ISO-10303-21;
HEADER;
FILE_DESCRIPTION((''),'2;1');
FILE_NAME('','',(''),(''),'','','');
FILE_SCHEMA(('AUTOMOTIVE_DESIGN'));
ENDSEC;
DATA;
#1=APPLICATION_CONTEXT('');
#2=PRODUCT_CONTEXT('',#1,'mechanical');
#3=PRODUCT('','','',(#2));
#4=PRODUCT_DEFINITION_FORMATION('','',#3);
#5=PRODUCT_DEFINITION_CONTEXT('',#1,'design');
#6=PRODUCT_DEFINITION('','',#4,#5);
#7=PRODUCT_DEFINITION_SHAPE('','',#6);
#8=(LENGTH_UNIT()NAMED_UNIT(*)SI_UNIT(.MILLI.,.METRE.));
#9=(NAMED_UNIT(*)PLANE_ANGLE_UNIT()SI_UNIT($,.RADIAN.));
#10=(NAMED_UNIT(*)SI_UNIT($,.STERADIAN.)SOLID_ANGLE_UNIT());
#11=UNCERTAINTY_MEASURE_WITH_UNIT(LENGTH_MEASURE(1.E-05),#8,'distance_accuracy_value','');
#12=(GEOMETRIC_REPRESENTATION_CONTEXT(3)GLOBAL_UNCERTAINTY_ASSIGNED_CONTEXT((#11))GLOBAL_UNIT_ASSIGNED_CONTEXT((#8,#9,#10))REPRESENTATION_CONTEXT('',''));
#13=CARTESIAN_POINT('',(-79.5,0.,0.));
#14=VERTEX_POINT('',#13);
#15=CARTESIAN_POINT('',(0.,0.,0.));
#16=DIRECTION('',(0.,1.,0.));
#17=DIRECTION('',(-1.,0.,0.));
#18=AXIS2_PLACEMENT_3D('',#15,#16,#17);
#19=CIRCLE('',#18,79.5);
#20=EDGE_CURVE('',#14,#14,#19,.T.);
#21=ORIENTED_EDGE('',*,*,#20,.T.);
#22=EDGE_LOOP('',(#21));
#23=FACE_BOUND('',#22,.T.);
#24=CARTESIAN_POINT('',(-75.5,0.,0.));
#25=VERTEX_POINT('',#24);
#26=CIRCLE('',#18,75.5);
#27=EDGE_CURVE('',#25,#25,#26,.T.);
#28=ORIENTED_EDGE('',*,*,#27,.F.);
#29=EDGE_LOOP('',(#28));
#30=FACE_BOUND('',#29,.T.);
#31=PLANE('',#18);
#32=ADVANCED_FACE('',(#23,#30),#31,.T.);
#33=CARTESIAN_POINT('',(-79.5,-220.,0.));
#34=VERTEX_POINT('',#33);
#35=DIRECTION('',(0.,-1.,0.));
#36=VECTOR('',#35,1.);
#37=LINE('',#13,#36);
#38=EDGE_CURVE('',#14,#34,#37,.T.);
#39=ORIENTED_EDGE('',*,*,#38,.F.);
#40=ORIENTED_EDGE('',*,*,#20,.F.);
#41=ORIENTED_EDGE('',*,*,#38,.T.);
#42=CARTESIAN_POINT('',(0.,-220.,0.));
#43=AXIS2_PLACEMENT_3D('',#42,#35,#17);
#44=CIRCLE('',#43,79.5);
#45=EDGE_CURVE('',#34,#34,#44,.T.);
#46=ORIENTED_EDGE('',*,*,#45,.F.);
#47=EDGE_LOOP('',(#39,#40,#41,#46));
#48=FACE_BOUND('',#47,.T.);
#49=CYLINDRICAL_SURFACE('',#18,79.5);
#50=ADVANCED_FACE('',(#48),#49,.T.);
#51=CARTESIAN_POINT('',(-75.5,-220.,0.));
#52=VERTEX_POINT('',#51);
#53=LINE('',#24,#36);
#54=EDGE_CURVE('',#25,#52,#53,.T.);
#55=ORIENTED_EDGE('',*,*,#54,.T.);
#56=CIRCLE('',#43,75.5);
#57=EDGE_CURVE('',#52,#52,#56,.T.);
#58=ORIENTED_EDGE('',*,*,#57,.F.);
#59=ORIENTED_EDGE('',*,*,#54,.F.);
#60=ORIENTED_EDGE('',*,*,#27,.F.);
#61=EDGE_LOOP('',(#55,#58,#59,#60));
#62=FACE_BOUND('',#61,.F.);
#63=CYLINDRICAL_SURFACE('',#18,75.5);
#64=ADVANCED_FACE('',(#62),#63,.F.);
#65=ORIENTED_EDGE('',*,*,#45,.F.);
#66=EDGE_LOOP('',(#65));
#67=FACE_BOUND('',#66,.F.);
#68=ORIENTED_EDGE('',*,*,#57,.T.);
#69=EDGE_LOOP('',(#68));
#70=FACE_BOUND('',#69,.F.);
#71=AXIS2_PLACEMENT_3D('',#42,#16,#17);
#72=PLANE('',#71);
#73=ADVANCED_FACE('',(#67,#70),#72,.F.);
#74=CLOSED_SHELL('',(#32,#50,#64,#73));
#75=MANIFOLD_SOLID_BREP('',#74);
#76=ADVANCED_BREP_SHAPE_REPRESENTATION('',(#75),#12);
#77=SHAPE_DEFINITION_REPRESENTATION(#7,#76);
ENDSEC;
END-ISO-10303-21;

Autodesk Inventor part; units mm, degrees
ref_plane "YZ Plane" through (0, 0, 0) normal (1, 0, 0) x (0, 1, 0)
ref_plane "XZ Plane" through (0, 0, 0) normal (0, 1, 0) x (-1, 0, 0)
ref_plane "XY Plane" through (0, 0, 0) normal (0, 0, 1) x (1, 0, 0)
sketch "Sketch1" plane through (0, 0, 0) normal (0, 1, 0) x (-1, 0, 0)
  circle A0 centre (0, 0) radius 79.5
  circle A1 centre (0, 0) radius 75.5
  line L0 (79.5, 0) -> (-79.5, 0)
  point P0 (-75.5, 0)
  point P1 (75.5, 0)
  dimension "d0" = 159
  dimension "d1" = 4
extrude "Extrusion1" add sketch "Sketch1" against normal blind 220 contours L0 A1 A0 | A0 L0 A1
properties part number "APN 1421 charging tube" material "Steel"
